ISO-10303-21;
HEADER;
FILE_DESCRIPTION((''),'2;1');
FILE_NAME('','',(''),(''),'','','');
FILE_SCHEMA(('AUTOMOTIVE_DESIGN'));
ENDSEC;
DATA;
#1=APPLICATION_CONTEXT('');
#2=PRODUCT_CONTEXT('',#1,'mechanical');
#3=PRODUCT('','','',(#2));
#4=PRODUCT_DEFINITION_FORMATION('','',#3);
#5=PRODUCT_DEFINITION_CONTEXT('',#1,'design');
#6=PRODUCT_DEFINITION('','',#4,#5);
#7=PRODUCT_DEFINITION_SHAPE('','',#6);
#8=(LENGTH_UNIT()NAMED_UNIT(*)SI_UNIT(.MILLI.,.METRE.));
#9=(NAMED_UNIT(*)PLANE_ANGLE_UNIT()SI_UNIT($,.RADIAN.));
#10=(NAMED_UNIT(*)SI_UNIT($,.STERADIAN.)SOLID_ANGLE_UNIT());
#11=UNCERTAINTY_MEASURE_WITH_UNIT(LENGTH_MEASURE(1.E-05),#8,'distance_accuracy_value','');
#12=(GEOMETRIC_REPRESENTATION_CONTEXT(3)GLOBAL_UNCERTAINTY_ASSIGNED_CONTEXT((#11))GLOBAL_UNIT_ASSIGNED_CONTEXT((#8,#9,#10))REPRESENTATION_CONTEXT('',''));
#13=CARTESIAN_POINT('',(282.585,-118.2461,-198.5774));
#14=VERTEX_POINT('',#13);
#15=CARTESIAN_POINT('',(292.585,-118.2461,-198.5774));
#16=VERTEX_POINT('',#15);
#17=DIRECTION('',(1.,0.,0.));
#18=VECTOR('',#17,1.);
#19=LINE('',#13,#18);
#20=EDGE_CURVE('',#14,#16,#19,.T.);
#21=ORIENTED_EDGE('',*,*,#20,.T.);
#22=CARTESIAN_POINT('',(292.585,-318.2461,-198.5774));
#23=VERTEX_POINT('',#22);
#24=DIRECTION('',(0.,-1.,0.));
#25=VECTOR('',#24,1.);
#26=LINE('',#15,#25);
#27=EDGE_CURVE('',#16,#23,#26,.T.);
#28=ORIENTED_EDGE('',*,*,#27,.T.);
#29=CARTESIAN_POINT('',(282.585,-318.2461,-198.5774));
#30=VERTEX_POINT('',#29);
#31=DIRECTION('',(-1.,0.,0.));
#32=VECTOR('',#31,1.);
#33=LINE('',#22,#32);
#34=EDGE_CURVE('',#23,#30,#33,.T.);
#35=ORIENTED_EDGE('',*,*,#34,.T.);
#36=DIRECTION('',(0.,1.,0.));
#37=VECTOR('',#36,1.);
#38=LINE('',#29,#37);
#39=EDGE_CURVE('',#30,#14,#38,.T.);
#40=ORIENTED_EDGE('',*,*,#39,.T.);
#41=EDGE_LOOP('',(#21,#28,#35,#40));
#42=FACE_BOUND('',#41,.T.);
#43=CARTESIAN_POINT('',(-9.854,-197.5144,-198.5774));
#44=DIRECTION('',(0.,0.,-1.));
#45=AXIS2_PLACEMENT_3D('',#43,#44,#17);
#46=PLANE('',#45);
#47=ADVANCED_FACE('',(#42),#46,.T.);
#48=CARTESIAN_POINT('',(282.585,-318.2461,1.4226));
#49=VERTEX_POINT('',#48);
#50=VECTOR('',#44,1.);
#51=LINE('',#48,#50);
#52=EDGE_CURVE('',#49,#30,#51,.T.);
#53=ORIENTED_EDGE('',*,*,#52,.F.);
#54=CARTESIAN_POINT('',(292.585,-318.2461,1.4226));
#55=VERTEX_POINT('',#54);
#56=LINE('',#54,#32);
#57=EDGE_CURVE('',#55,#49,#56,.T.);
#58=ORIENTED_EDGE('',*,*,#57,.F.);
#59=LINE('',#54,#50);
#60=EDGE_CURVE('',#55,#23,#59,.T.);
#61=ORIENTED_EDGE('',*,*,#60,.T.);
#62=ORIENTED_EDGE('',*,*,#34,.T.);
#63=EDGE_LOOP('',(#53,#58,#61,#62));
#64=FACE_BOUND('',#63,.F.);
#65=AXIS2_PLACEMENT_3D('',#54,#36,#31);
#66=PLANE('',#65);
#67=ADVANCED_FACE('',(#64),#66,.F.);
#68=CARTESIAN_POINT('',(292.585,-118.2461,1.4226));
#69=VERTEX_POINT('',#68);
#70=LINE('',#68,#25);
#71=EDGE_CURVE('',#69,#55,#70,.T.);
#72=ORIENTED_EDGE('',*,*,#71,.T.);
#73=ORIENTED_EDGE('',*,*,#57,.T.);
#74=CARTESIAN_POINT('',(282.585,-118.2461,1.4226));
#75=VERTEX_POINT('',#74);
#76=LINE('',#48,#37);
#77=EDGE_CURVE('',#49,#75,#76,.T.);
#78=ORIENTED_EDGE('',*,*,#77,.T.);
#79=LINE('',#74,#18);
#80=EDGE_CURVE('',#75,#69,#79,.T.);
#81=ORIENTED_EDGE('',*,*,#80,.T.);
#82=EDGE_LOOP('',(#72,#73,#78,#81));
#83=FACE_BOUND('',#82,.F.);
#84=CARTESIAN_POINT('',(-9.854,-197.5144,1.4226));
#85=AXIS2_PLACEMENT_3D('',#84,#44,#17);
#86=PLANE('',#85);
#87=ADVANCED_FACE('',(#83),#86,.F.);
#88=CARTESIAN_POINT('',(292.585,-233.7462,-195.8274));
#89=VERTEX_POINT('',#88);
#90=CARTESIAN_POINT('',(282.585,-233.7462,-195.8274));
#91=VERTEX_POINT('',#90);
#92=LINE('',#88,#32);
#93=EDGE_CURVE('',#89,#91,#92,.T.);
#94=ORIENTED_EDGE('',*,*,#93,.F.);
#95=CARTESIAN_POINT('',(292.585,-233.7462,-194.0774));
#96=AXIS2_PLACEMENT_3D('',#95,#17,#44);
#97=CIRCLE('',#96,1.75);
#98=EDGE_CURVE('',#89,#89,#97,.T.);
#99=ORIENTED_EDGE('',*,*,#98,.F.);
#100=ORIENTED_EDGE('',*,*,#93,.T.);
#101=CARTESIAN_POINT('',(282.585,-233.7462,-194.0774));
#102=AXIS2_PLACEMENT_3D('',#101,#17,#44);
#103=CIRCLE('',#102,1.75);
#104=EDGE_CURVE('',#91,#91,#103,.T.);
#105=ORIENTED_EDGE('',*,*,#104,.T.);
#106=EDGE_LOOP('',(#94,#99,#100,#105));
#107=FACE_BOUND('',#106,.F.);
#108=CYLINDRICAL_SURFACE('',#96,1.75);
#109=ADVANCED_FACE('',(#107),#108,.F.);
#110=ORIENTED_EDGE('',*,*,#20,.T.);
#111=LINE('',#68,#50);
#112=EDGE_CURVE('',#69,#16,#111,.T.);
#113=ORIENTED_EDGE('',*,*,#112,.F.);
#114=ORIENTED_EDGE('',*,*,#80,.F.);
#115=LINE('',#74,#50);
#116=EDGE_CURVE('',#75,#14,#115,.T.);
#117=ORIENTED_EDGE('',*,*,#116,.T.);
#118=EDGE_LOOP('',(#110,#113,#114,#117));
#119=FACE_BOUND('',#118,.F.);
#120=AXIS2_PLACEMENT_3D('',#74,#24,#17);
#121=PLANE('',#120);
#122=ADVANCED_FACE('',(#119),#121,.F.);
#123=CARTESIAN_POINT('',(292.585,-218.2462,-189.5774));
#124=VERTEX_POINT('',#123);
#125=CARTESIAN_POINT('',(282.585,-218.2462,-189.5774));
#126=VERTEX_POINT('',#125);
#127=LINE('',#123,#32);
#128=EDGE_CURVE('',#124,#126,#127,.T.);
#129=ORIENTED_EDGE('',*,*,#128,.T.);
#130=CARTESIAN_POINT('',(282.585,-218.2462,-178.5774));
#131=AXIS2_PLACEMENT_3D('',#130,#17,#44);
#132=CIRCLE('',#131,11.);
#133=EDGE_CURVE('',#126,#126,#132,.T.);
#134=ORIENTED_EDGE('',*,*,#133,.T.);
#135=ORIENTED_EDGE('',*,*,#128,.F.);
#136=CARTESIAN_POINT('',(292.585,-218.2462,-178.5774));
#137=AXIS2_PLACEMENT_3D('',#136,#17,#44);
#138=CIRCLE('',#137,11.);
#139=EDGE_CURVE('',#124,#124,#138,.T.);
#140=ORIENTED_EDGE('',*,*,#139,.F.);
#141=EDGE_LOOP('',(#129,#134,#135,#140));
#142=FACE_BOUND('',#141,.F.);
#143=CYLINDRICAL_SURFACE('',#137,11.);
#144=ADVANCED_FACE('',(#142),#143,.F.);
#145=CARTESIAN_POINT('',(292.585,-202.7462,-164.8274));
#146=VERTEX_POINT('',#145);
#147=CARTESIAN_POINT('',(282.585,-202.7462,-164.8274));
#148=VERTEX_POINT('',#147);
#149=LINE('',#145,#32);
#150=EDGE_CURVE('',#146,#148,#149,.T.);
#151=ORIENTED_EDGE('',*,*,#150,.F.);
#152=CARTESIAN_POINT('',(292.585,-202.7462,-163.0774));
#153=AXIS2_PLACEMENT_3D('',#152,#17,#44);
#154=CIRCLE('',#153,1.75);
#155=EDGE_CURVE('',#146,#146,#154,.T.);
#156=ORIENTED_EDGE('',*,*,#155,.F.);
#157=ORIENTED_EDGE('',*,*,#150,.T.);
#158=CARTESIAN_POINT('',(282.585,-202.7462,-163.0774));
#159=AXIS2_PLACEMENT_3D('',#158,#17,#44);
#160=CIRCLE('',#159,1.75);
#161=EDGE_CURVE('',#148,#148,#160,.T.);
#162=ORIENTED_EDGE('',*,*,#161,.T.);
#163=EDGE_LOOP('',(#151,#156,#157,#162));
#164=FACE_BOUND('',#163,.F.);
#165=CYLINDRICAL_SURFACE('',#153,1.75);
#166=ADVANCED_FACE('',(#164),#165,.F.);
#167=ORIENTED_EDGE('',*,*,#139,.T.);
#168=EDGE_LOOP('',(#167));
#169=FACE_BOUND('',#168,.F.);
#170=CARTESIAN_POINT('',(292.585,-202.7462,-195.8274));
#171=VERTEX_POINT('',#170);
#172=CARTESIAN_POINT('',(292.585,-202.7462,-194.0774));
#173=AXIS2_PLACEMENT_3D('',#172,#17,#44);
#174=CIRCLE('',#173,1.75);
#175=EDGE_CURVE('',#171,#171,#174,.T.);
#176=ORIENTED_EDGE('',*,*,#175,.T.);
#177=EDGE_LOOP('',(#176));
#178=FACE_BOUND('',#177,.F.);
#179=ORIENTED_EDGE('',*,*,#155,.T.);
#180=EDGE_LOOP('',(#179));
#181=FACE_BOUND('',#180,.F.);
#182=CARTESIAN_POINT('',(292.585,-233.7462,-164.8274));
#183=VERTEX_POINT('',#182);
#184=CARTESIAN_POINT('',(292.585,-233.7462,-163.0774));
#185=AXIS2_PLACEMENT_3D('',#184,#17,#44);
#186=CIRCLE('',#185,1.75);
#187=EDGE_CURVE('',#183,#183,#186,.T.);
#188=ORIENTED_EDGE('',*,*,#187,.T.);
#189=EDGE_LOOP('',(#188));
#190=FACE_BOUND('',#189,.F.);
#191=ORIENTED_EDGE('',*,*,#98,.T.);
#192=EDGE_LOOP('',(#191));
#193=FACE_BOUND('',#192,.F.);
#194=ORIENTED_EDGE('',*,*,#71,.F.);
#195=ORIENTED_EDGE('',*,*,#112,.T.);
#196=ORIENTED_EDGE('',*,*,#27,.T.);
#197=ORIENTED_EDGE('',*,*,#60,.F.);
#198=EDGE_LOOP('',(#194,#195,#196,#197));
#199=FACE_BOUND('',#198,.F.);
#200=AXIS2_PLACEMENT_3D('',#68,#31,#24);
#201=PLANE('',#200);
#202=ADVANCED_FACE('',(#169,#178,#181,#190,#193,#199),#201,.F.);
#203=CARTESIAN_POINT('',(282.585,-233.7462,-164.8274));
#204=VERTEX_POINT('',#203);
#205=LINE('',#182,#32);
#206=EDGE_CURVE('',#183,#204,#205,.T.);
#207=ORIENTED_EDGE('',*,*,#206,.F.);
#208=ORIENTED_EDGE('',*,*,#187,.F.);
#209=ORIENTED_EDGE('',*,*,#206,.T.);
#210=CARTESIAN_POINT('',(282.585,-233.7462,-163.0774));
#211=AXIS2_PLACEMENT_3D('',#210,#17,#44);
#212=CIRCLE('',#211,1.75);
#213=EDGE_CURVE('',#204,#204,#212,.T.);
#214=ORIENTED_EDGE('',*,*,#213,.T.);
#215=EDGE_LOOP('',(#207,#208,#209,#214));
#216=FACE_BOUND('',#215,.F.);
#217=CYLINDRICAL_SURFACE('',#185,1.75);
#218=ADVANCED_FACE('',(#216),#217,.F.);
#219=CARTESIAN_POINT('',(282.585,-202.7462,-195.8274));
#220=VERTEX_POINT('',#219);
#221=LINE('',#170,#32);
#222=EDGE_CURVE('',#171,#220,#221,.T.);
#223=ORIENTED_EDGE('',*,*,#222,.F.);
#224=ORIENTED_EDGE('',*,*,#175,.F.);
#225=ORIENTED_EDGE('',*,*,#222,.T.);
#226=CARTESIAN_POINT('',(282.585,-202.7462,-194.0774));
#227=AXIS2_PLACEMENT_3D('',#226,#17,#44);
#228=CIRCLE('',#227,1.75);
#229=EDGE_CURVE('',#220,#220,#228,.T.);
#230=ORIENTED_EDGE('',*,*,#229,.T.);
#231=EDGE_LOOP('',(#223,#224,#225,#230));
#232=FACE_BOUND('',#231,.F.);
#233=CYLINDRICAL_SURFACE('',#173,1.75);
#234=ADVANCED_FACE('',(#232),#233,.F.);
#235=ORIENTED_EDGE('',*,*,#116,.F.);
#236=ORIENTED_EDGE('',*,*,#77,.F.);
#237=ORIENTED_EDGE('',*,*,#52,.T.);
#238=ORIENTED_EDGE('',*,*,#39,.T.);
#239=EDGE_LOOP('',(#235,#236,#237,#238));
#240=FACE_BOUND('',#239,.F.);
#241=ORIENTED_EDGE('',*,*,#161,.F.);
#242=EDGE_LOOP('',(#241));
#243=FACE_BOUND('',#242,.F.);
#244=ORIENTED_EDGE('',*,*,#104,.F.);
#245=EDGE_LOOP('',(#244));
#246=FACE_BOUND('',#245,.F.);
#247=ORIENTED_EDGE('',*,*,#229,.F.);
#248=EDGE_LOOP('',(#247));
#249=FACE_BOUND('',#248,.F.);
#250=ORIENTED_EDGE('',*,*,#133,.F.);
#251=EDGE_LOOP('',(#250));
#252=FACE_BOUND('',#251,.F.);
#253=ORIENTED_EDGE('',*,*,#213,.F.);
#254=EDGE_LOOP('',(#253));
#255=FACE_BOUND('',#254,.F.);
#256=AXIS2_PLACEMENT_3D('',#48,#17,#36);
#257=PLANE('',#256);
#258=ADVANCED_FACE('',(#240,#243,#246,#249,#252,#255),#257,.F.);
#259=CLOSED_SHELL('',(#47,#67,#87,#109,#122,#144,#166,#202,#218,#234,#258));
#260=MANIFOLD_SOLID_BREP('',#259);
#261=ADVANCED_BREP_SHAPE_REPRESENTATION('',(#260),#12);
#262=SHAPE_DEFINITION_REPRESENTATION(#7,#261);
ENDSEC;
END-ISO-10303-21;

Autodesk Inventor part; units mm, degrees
ref_plane "YZ Plane" through (0, 0, 0) normal (1, 0, 0) x (0, 1, 0)
ref_plane "XZ Plane" through (0, 0, 0) normal (0, 1, 0) x (-1, 0, 0)
ref_plane "XY Plane" through (0, 0, 0) normal (0, 0, 1) x (1, 0, 0)
ref_plane "Piano di lavoro1" through (-9.854, -197.5144, 1.4226) normal (0, 0, -1) x (1, 0, 0)
sketch "Schizzo1" plane through (-9.854, -197.5144, 1.4226) normal (0, 0, -1) x (1, 0, 0)
  line L0 (302.439, 120.7317) -> (292.439, 120.7317)
  line L1 (292.439, 120.7317) -> (292.439, -79.2683)
  line L2 (292.439, -79.2683) -> (302.439, -79.2683)
  line L3 (302.439, -79.2683) -> (302.439, 120.7317)
  point P0 (9.854, -197.5144)
  dimension "d0" = 200
  dimension "d1" = 10
extrude "Estrusione1" add sketch "Schizzo1" along normal blind 200
sketch "Schizzo2" plane through (292.585, -318.2462, 1.4226) normal (1, 0, 0) x (0, 0, -1)
  circle A0 centre (180, 100) radius 11
  line L0 (0, 0) -> (200, 0)
  line L1 (200, 0) -> (200, 200)
  line L2 (200, 200) -> (0, 200)
  line L3 (0, 200) -> (0, 0)
  circle A1 centre (164.5, 84.5) radius 1.75
  circle A2 centre (164.5, 115.5) radius 1.75
  circle A3 centre (195.5, 115.5) radius 1.75
  circle A4 centre (195.5, 84.5) radius 1.75
  point P0 (200, 100)
  dimension "d4" = 22
  dimension "d5" = 200
  dimension "d6" = 200
  dimension "d7" = 100
  dimension "d9" = 31
  dimension "d10" = 31
  dimension "d11" = 15.5
  dimension "d12" = 31
  dimension "d13" = 31
  dimension "d14" = 0
  dimension "d15" = 15.5
  dimension "d16" = 0
  dimension "d17" = 3.5
  dimension "d18" = 3.5
  dimension "d19" = 3.5
  dimension "d20" = 3.5
  dimension "d22" = 20
extrude "Estrusione2" cut sketch "Schizzo2" against normal blind 10 contours A0 | A1 | A2 | A3 | A4
equation "\"d10\" = d9"
equation "\"d11\" = 0.5 * d9"
equation "\"d12\" = d9"
equation "\"d13\" = d9"
equation "\"d15\" = 0.5 * d9"
equation "\"d18\" = d17"
equation "\"d19\" = d17"
equation "\"d20\" = d17"
properties part number "piano z"
